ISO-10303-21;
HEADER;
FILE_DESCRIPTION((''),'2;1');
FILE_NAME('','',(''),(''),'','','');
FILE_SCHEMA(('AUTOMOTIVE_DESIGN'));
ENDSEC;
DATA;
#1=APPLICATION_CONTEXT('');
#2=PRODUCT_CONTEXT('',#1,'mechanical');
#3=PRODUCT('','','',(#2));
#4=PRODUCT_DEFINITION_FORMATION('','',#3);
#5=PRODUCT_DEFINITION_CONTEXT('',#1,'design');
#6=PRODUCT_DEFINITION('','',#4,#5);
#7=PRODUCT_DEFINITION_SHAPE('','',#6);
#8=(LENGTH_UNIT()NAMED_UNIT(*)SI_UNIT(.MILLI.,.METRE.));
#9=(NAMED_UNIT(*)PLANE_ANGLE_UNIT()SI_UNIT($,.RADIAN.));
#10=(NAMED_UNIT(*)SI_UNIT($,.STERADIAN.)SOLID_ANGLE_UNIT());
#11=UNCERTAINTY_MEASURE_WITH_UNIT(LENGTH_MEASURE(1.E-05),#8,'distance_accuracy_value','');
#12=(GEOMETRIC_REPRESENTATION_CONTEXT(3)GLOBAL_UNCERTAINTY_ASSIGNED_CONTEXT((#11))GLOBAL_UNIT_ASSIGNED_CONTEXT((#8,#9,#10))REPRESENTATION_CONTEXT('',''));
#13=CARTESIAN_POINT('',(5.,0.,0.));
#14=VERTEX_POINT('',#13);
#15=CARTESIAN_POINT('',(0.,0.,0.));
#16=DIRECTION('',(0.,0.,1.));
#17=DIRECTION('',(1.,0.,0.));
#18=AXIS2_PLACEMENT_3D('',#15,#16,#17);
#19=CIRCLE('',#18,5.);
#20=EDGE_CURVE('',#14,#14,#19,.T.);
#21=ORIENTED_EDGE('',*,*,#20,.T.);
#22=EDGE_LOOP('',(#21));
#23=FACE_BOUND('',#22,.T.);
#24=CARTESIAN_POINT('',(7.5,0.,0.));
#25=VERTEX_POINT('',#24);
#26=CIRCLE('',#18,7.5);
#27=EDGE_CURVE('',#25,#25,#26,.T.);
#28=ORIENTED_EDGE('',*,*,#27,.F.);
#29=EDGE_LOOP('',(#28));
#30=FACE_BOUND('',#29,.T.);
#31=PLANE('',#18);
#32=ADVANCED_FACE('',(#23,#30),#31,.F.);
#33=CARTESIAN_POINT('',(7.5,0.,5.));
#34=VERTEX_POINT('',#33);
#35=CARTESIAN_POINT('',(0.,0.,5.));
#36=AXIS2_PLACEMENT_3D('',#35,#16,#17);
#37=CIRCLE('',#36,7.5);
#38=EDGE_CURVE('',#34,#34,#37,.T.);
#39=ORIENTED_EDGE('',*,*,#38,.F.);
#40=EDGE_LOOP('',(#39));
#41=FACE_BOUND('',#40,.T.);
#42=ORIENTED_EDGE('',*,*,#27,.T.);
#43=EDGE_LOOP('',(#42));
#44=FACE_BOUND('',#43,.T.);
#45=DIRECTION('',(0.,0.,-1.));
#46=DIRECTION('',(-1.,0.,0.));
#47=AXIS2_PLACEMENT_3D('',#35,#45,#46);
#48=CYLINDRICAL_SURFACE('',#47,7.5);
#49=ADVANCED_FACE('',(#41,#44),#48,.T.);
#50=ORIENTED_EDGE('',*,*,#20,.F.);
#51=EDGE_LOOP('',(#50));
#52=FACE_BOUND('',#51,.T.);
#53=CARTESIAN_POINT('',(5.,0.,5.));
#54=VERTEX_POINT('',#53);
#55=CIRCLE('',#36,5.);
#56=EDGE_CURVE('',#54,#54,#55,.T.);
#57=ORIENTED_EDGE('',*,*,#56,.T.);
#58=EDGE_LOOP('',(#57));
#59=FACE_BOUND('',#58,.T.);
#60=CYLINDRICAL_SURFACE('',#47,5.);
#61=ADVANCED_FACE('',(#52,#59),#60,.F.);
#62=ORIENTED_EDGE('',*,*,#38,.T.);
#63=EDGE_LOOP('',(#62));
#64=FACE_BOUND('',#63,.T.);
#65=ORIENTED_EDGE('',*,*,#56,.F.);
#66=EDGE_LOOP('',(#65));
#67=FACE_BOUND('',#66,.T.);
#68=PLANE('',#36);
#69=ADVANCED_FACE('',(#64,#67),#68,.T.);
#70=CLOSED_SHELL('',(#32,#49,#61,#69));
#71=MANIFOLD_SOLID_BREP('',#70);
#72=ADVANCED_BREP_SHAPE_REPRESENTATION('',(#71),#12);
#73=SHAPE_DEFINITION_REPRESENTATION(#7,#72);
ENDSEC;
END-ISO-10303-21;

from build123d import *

# Parameters (mm, degrees)
SKETCH_1_R      = 7.5
SKETCH_1_R_2    = 5
EXTRUDE_1_DEPTH = 5


with BuildPart() as part:
    # 草图1 → 凸台-拉伸1 (new body)
    with BuildSketch(Plane.XY):
        Circle(SKETCH_1_R)
        Circle(SKETCH_1_R_2, mode=Mode.SUBTRACT)
    extrude(amount=EXTRUDE_1_DEPTH)


solid = part.part
